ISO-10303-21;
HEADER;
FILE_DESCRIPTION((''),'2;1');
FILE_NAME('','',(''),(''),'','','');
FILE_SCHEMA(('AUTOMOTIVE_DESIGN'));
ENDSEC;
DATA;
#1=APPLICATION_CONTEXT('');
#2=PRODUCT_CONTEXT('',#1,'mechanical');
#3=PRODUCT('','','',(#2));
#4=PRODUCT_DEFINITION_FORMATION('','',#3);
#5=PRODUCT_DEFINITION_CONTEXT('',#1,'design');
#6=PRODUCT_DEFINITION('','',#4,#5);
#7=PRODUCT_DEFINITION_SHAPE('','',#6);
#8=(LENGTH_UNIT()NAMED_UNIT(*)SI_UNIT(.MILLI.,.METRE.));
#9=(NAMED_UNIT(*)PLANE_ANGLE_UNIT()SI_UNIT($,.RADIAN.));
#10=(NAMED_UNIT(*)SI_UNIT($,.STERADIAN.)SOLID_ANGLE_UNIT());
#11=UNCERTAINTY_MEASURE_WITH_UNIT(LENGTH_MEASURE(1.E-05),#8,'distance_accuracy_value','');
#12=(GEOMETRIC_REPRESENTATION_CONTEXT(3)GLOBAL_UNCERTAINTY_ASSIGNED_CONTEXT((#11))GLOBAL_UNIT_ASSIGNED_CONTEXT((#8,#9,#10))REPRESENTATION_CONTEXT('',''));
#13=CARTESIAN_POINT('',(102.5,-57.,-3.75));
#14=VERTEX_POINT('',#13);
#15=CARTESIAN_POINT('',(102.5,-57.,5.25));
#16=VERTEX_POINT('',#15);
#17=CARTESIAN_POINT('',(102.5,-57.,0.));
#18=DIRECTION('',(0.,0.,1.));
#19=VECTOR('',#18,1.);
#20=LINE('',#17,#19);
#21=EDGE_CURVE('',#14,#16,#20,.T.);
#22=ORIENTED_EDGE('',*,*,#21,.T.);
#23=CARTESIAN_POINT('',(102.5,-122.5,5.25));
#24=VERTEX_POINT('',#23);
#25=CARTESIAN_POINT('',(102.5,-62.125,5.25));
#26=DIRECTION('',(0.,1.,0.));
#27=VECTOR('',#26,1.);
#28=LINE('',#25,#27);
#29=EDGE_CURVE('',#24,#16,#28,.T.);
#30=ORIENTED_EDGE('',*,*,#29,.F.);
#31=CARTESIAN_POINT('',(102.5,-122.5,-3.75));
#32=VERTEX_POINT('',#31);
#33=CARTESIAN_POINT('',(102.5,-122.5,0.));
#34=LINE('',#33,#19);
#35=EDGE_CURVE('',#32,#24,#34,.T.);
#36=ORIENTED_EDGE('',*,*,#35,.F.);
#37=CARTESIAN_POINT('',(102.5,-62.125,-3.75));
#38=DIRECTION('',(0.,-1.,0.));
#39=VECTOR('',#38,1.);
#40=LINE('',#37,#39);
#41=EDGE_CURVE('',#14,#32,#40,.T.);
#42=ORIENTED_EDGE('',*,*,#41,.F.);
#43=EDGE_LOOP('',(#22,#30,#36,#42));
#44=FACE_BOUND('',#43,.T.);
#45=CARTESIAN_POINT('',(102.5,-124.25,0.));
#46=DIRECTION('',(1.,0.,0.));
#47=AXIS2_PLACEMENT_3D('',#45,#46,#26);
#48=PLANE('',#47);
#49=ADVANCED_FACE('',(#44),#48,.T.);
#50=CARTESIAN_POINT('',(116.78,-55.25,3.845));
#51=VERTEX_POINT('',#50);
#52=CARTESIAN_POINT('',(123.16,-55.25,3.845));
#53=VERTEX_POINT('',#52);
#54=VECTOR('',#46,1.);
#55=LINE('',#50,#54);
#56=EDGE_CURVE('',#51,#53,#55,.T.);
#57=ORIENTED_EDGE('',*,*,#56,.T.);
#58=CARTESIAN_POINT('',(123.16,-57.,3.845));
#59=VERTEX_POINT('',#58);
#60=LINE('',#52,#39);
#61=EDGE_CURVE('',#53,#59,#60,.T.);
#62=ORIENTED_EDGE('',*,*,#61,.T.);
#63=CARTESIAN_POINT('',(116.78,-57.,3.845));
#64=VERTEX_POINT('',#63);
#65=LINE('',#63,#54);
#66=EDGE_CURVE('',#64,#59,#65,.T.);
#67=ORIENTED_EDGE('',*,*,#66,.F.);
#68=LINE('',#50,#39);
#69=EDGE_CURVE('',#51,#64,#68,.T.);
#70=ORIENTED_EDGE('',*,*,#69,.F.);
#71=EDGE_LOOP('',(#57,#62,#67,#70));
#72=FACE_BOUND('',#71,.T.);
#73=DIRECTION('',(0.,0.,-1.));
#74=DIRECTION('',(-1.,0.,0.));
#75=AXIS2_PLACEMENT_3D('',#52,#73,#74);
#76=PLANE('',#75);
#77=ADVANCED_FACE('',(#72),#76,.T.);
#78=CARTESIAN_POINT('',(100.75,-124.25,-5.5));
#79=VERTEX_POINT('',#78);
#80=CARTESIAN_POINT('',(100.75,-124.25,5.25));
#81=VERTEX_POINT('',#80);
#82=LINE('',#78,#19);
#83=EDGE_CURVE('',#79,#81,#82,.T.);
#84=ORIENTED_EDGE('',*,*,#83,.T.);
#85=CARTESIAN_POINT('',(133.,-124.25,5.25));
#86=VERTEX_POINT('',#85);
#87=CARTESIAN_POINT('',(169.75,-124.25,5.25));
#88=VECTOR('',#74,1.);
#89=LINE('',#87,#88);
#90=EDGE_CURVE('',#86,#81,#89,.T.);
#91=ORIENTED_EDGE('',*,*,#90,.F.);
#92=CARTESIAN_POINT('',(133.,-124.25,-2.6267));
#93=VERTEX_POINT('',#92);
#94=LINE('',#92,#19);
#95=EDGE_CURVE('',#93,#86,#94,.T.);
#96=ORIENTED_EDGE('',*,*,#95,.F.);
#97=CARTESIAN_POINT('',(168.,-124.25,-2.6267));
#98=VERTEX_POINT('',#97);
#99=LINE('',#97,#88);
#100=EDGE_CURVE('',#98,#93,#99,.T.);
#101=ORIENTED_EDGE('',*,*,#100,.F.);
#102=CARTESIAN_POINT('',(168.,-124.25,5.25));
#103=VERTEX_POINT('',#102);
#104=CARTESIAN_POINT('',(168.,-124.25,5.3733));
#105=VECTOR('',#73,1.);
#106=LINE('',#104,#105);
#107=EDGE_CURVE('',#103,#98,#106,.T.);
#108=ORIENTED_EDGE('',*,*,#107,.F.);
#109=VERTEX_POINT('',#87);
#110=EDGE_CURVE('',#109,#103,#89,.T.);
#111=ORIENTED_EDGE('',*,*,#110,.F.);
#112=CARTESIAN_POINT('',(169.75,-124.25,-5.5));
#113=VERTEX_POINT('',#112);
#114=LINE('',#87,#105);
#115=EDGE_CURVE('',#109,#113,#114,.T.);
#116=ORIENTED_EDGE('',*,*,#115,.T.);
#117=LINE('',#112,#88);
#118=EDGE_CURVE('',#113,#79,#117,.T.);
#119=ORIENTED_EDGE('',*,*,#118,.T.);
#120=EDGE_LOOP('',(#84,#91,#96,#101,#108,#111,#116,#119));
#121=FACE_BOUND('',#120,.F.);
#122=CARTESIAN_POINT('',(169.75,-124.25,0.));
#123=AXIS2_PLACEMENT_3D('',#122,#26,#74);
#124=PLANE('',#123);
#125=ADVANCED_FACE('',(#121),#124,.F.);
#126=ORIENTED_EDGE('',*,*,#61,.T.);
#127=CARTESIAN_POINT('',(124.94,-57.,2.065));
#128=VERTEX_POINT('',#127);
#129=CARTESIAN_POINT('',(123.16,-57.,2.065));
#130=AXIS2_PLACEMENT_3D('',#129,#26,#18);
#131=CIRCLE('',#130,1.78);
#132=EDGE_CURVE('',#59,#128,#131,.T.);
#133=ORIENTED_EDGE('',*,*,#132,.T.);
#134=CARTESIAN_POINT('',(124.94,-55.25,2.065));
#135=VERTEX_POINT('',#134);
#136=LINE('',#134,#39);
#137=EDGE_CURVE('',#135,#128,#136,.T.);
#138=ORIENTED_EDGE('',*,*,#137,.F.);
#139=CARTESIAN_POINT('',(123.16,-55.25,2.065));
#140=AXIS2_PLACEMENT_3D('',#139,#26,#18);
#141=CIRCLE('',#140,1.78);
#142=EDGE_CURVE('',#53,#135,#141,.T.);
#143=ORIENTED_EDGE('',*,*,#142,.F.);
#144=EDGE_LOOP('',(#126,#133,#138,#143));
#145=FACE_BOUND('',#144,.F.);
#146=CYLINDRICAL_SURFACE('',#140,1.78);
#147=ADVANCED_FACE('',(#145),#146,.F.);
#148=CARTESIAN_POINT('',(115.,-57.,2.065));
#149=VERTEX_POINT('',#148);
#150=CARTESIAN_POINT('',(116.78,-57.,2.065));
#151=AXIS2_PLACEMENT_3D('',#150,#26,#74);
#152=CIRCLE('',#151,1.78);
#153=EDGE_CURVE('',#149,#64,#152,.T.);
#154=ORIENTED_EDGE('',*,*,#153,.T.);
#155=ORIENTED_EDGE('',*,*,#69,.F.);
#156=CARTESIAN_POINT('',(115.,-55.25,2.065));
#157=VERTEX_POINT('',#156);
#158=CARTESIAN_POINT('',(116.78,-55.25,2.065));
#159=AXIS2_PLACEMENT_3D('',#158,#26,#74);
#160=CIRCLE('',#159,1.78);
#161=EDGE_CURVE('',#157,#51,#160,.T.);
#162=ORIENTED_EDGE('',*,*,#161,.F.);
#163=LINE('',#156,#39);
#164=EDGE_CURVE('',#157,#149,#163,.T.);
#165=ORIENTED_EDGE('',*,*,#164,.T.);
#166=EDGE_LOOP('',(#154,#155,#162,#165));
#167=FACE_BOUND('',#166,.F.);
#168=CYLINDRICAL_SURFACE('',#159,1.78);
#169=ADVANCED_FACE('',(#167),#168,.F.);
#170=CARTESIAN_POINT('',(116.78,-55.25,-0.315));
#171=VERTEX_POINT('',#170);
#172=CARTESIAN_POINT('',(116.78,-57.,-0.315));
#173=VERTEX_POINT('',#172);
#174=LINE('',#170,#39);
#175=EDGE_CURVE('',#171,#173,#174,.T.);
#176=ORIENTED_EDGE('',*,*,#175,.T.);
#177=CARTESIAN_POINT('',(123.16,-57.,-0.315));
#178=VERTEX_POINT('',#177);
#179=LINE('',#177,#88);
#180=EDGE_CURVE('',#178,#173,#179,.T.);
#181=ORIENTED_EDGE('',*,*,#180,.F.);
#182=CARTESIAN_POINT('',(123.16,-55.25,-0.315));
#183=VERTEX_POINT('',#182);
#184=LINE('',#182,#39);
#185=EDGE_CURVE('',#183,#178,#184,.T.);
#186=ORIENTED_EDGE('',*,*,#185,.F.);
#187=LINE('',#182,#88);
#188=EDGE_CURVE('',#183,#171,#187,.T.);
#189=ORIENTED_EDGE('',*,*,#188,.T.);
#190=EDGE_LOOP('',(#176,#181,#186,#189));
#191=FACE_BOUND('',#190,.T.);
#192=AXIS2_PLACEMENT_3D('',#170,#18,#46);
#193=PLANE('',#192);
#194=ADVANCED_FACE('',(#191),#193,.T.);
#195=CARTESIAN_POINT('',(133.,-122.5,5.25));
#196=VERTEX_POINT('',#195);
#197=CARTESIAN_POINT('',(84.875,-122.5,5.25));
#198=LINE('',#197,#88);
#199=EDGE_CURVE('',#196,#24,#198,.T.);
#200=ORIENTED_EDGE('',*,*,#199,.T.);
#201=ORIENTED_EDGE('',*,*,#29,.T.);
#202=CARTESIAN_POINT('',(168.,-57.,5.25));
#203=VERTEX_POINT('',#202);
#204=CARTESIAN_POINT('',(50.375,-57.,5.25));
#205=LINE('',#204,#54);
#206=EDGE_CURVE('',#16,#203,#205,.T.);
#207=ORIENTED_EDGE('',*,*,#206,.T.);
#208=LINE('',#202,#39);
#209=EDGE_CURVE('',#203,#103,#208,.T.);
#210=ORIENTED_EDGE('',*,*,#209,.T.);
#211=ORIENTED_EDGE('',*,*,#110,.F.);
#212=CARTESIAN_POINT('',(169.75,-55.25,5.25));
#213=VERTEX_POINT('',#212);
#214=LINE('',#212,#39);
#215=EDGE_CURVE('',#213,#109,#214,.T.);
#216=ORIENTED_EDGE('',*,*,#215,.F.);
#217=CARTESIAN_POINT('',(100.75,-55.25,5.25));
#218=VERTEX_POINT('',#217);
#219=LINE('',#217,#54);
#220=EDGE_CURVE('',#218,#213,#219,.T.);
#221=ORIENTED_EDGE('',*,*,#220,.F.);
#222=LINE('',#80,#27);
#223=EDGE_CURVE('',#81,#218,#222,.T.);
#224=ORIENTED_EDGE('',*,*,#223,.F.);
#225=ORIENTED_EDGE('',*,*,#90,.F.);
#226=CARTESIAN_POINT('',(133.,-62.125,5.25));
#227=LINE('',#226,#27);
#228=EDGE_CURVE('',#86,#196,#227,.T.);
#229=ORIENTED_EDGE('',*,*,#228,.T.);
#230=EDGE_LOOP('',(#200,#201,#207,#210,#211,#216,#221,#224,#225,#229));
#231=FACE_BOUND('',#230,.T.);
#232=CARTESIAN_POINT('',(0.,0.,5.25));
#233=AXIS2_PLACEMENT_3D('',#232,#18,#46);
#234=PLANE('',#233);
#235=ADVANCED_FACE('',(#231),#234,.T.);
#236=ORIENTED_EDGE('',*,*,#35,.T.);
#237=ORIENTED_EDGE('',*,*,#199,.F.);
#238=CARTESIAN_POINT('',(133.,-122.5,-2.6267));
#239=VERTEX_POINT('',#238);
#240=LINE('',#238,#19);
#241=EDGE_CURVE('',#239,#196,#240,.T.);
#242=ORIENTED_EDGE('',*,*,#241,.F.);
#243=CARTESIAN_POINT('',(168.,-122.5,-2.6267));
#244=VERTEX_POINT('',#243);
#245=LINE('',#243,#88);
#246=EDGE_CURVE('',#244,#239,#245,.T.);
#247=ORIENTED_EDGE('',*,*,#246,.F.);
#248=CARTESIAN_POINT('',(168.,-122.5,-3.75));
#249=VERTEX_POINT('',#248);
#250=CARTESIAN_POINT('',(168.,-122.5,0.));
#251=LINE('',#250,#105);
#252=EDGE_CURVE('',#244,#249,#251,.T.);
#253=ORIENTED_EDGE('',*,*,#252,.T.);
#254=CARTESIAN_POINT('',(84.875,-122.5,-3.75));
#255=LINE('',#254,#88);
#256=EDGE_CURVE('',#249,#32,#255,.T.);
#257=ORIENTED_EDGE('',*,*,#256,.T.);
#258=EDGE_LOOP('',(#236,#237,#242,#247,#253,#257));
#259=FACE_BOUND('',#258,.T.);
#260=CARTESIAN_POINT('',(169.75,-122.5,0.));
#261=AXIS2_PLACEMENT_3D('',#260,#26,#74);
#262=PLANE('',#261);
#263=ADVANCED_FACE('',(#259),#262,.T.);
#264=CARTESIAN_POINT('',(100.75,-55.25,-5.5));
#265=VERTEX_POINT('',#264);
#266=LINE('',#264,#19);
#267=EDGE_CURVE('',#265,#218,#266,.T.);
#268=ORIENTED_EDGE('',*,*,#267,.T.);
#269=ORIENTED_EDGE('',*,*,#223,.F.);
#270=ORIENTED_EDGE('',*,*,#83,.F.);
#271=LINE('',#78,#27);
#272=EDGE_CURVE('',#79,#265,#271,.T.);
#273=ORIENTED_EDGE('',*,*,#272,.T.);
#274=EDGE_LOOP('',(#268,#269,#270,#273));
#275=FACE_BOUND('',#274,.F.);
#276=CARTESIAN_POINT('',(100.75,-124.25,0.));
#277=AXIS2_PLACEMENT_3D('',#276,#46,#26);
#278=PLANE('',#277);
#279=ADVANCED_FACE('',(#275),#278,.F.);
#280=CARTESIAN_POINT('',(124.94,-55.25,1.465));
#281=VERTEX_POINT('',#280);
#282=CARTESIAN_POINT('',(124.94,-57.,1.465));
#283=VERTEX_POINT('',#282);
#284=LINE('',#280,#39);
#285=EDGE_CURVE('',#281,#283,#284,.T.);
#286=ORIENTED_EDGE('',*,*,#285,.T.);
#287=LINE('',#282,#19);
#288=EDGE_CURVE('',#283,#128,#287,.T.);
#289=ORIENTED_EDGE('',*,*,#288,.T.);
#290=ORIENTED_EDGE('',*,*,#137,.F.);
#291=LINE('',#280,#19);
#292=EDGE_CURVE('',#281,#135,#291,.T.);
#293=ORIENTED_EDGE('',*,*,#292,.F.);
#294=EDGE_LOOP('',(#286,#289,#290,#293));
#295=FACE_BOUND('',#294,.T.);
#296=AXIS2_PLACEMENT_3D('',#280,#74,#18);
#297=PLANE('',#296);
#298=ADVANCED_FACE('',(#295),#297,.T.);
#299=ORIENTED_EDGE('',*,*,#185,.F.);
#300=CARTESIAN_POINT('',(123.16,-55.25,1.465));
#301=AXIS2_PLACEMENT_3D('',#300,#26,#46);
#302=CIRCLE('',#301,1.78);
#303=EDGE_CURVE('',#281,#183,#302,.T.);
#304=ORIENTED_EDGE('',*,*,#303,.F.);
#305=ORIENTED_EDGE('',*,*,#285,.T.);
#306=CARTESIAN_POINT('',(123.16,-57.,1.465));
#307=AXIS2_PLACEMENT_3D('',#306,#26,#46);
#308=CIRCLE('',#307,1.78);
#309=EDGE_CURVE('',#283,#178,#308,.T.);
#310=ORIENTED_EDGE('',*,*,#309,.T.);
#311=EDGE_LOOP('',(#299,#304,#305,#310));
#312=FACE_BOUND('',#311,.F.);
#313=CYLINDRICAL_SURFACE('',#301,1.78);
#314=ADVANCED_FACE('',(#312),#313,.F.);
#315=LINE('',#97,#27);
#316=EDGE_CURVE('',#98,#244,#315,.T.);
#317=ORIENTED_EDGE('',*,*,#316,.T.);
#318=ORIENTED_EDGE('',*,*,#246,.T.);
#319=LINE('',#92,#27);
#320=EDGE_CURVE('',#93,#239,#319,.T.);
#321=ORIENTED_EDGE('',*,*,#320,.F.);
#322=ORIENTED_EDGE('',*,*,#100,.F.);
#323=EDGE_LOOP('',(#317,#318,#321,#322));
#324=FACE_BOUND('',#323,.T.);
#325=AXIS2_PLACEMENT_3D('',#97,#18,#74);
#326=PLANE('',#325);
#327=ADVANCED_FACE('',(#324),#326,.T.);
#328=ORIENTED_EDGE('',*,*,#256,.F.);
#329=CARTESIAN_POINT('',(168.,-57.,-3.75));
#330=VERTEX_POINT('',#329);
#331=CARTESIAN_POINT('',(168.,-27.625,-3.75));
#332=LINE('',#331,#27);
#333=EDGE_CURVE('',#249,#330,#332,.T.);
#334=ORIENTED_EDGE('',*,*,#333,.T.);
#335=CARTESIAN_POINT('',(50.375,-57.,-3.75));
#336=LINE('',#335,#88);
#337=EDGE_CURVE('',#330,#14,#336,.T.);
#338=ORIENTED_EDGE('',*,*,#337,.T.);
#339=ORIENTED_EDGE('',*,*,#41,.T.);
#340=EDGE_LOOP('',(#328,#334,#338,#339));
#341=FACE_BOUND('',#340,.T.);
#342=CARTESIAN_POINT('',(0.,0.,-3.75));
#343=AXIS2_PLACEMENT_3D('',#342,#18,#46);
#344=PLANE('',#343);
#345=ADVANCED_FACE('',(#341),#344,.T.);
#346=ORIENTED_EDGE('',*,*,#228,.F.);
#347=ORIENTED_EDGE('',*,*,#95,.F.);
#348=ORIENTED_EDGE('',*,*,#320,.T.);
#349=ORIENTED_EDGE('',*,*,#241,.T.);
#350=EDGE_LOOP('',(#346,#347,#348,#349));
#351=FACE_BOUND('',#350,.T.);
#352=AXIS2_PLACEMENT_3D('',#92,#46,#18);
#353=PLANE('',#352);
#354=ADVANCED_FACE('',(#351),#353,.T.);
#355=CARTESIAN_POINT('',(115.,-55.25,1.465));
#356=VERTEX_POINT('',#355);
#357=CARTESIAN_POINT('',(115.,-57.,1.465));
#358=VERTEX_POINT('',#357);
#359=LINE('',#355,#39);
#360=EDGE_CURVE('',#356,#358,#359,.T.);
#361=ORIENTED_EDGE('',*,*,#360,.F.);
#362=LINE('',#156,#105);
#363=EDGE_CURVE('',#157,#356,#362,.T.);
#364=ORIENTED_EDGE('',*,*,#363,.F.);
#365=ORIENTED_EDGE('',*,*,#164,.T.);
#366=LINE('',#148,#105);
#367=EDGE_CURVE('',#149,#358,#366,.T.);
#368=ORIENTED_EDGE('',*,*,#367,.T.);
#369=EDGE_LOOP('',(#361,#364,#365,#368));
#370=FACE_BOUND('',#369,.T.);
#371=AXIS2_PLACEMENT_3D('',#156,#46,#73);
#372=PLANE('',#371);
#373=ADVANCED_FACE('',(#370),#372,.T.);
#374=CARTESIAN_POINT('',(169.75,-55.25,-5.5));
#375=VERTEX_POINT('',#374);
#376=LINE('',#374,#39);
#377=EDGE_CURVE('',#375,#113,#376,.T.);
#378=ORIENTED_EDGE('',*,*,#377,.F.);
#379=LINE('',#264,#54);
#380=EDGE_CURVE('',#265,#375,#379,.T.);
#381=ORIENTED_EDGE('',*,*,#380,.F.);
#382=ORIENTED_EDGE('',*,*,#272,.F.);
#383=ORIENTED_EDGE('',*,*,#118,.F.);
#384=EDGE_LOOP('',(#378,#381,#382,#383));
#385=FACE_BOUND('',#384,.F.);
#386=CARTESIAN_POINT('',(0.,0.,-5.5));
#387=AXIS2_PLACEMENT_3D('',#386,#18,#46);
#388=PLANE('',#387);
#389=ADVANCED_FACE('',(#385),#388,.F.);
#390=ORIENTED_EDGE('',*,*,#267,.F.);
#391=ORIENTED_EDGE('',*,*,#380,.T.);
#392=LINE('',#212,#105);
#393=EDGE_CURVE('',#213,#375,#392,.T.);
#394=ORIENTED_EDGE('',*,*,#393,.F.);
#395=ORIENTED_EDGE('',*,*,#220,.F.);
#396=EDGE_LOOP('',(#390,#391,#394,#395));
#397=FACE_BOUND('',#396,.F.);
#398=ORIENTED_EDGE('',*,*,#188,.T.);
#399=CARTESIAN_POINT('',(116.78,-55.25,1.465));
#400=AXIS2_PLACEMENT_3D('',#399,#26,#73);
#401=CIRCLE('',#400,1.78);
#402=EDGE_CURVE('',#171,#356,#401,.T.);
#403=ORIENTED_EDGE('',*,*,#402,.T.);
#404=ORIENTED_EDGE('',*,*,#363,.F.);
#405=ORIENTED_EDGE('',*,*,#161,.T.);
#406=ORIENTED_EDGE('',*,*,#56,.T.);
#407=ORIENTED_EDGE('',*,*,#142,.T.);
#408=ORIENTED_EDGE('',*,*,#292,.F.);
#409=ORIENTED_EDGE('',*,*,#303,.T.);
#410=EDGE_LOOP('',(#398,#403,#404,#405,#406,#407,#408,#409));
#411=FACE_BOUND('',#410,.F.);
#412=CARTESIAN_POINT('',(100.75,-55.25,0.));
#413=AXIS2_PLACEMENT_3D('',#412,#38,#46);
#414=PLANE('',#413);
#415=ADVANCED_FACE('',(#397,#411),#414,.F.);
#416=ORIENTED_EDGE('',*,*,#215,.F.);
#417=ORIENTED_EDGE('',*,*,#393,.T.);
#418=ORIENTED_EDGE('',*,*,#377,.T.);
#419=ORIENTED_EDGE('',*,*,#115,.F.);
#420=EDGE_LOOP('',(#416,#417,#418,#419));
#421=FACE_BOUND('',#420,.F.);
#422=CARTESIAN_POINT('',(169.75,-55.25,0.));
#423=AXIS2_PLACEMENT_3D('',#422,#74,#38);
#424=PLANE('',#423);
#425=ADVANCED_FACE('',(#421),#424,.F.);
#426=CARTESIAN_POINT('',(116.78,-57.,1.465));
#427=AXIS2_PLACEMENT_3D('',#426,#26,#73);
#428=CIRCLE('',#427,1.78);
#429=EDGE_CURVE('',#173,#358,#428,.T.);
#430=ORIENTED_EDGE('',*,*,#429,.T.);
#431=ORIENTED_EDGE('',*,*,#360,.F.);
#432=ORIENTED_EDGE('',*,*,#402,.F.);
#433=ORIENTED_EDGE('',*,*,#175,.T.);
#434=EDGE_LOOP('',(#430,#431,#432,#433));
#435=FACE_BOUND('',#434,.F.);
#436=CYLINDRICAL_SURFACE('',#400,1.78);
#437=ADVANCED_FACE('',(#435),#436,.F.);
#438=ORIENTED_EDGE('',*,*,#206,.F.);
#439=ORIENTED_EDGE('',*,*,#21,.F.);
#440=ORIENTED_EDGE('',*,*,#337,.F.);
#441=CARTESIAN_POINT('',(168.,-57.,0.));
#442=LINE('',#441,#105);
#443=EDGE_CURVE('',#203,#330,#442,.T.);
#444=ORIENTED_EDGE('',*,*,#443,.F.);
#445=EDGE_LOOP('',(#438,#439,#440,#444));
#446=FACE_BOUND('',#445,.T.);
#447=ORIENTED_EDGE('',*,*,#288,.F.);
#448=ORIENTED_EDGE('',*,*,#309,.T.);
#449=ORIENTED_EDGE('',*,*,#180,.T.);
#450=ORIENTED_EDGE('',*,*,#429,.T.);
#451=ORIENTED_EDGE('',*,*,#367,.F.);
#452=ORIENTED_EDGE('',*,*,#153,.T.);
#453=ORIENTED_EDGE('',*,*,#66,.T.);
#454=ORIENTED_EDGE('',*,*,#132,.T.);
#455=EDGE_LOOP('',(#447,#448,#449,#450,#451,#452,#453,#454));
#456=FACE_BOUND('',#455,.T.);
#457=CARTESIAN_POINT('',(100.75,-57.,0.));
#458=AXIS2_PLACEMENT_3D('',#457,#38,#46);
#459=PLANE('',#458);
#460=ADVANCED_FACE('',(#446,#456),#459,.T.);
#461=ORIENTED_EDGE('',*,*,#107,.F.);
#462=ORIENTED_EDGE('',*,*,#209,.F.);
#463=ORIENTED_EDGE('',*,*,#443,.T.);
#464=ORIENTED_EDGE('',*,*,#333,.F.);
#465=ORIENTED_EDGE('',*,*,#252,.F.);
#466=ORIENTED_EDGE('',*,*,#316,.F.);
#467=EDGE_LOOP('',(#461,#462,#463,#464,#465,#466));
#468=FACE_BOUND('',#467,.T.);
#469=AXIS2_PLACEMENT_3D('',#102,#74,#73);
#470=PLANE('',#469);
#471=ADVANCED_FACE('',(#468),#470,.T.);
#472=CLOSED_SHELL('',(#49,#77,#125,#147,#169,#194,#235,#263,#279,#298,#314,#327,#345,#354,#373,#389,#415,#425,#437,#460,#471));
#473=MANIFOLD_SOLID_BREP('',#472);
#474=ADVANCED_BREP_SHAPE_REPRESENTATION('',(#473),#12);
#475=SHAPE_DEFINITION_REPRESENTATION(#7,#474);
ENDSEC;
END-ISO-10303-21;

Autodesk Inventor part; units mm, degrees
ref_plane "YZ Plane" through (0, 0, 0) normal (1, 0, 0) x (0, 1, 0)
ref_plane "XZ Plane" through (0, 0, 0) normal (0, 1, 0) x (-1, 0, 0)
ref_plane "XY Plane" through (0, 0, 0) normal (0, 0, 1) x (1, 0, 0)
sketch "Sketch1" plane through (0, 0, 0) normal (0, 0, 1) x (1, 0, 0)
  line L0 (100.75, -55.25) -> (169.75, -55.25)
  line L1 (169.75, -55.25) -> (169.75, -124.25)
  line L2 (169.75, -124.25) -> (100.75, -124.25)
  line L3 (100.75, -124.25) -> (100.75, -55.25)
  line L4 (167.75, -122.25) -> (102.75, -122.25) projected
  line L5 (167.75, -57.25) -> (167.75, -122.25) projected
  line L6 (102.75, -57.25) -> (167.75, -57.25) projected
  line L7 (102.75, -122.25) -> (102.75, -57.25) projected
  point P0 (0, 0)
  dimension "d0" = 69
  dimension "d1" = 69
  dimension "d2" = 2
  dimension "d3" = 2
extrude "Base Shell Extrusion" add sketch "Sketch1" along normal blind 5.25 and the other way blind 5.5 contours L0 L1 L2 L3 | L4 L7 L6 L5
shell "Shell1" thickness 1.75 removed faces 1 at (123.75, -101.25, 5.25)
sketch "USB C Port hole sketch" plane through (100.75, -55.25, 5.25) normal (0, 1, 0) x (1, 0, 0)
  line L0 (19.22, 1.905) -> (22.41, 1.905) projected
  arc A0 (22.41, 1.905) -> (23.69, 3.185) centre (22.41, 3.185) ccw projected
  line L1 (23.69, 3.185) -> (23.69, 3.785) projected
  arc A1 (23.69, 3.785) -> (22.41, 5.065) centre (22.41, 3.785) ccw projected
  line L2 (22.41, 5.065) -> (19.22, 5.065) projected
  line L3 (16.03, 5.065) -> (19.22, 5.065) projected
  arc A2 (16.03, 5.065) -> (14.75, 3.785) centre (16.03, 3.785) ccw projected
  line L4 (14.75, 3.185) -> (14.75, 3.785) projected
  arc A3 (14.75, 3.185) -> (16.03, 1.905) centre (16.03, 3.185) ccw projected
  line L5 (19.22, 1.905) -> (16.03, 1.905) projected
  arc A4 (22.41, 1.905) -> (23.69, 3.185) centre (22.41, 3.185) ccw
  arc A5 (14.75, 3.185) -> (16.03, 1.905) centre (16.03, 3.185) ccw
  arc A6 (16.03, 5.065) -> (14.75, 3.785) centre (16.03, 3.785) ccw
  arc A7 (23.69, 3.785) -> (22.41, 5.065) centre (22.41, 3.785) ccw
  line L6 (14.75, 3.785) -> (14.75, 3.185)
  line L7 (16.03, 5.065) -> (22.41, 5.065)
  line L8 (23.69, 3.785) -> (23.69, 3.185)
  line L9 (16.03, 1.905) -> (22.41, 1.905)
  line L10 (22.41, 1.405) -> (19.22, 1.405)
  line L11 (19.22, 1.405) -> (16.03, 1.405)
  arc A8 (14.25, 3.185) -> (16.03, 1.405) centre (16.03, 3.185) ccw
  line L12 (14.25, 3.185) -> (14.25, 3.785)
  arc A9 (16.03, 5.565) -> (14.25, 3.785) centre (16.03, 3.785) ccw
  line L13 (16.03, 5.565) -> (19.22, 5.565)
  line L14 (19.22, 5.565) -> (22.41, 5.565)
  arc A10 (24.19, 3.785) -> (22.41, 5.565) centre (22.41, 3.785) ccw
  line L15 (24.19, 3.785) -> (24.19, 3.185)
  arc A11 (22.41, 1.405) -> (24.19, 3.185) centre (22.41, 3.185) ccw
  point P0 (-100.75, 5.25)
  dimension "d24" = 0.5
sketch "Rough encoder hole" plane through (100.75, -124.25, 5.25) normal (0, -1, 0) x (1, 0, 0)
  line L0 (67.25, -7.8767) -> (32.25, -7.8767)
  line L1 (32.25, -7.8767) -> (32.25, 0.1233)
  line L2 (32.25, 0.1233) -> (67.25, 0.1233)
  line L3 (67.25, 0.1233) -> (67.25, -7.8767)
  line L4 (67.25, -9) -> (67.25, 0) projected
  point P0 (-100.75, -5.25)
  dimension "d13" = 35
  dimension "d14" = 8
  dimension "d17" = 0
extrude "Rough Encoder Hole Extrusion" cut sketch "Rough encoder hole" against normal up to surface (1.75 mm away)
extrude "USB C Hole Extrusion" cut sketch "USB C Port hole sketch" against normal up to surface (1.75 mm away) contours L5 A3 L4 A2 L3 L2 A1 L1 A0 L0 | L10 L11 A8 L12 A9 L13 L14 A10 L15 A11
properties part number "Base REV 1.0"
